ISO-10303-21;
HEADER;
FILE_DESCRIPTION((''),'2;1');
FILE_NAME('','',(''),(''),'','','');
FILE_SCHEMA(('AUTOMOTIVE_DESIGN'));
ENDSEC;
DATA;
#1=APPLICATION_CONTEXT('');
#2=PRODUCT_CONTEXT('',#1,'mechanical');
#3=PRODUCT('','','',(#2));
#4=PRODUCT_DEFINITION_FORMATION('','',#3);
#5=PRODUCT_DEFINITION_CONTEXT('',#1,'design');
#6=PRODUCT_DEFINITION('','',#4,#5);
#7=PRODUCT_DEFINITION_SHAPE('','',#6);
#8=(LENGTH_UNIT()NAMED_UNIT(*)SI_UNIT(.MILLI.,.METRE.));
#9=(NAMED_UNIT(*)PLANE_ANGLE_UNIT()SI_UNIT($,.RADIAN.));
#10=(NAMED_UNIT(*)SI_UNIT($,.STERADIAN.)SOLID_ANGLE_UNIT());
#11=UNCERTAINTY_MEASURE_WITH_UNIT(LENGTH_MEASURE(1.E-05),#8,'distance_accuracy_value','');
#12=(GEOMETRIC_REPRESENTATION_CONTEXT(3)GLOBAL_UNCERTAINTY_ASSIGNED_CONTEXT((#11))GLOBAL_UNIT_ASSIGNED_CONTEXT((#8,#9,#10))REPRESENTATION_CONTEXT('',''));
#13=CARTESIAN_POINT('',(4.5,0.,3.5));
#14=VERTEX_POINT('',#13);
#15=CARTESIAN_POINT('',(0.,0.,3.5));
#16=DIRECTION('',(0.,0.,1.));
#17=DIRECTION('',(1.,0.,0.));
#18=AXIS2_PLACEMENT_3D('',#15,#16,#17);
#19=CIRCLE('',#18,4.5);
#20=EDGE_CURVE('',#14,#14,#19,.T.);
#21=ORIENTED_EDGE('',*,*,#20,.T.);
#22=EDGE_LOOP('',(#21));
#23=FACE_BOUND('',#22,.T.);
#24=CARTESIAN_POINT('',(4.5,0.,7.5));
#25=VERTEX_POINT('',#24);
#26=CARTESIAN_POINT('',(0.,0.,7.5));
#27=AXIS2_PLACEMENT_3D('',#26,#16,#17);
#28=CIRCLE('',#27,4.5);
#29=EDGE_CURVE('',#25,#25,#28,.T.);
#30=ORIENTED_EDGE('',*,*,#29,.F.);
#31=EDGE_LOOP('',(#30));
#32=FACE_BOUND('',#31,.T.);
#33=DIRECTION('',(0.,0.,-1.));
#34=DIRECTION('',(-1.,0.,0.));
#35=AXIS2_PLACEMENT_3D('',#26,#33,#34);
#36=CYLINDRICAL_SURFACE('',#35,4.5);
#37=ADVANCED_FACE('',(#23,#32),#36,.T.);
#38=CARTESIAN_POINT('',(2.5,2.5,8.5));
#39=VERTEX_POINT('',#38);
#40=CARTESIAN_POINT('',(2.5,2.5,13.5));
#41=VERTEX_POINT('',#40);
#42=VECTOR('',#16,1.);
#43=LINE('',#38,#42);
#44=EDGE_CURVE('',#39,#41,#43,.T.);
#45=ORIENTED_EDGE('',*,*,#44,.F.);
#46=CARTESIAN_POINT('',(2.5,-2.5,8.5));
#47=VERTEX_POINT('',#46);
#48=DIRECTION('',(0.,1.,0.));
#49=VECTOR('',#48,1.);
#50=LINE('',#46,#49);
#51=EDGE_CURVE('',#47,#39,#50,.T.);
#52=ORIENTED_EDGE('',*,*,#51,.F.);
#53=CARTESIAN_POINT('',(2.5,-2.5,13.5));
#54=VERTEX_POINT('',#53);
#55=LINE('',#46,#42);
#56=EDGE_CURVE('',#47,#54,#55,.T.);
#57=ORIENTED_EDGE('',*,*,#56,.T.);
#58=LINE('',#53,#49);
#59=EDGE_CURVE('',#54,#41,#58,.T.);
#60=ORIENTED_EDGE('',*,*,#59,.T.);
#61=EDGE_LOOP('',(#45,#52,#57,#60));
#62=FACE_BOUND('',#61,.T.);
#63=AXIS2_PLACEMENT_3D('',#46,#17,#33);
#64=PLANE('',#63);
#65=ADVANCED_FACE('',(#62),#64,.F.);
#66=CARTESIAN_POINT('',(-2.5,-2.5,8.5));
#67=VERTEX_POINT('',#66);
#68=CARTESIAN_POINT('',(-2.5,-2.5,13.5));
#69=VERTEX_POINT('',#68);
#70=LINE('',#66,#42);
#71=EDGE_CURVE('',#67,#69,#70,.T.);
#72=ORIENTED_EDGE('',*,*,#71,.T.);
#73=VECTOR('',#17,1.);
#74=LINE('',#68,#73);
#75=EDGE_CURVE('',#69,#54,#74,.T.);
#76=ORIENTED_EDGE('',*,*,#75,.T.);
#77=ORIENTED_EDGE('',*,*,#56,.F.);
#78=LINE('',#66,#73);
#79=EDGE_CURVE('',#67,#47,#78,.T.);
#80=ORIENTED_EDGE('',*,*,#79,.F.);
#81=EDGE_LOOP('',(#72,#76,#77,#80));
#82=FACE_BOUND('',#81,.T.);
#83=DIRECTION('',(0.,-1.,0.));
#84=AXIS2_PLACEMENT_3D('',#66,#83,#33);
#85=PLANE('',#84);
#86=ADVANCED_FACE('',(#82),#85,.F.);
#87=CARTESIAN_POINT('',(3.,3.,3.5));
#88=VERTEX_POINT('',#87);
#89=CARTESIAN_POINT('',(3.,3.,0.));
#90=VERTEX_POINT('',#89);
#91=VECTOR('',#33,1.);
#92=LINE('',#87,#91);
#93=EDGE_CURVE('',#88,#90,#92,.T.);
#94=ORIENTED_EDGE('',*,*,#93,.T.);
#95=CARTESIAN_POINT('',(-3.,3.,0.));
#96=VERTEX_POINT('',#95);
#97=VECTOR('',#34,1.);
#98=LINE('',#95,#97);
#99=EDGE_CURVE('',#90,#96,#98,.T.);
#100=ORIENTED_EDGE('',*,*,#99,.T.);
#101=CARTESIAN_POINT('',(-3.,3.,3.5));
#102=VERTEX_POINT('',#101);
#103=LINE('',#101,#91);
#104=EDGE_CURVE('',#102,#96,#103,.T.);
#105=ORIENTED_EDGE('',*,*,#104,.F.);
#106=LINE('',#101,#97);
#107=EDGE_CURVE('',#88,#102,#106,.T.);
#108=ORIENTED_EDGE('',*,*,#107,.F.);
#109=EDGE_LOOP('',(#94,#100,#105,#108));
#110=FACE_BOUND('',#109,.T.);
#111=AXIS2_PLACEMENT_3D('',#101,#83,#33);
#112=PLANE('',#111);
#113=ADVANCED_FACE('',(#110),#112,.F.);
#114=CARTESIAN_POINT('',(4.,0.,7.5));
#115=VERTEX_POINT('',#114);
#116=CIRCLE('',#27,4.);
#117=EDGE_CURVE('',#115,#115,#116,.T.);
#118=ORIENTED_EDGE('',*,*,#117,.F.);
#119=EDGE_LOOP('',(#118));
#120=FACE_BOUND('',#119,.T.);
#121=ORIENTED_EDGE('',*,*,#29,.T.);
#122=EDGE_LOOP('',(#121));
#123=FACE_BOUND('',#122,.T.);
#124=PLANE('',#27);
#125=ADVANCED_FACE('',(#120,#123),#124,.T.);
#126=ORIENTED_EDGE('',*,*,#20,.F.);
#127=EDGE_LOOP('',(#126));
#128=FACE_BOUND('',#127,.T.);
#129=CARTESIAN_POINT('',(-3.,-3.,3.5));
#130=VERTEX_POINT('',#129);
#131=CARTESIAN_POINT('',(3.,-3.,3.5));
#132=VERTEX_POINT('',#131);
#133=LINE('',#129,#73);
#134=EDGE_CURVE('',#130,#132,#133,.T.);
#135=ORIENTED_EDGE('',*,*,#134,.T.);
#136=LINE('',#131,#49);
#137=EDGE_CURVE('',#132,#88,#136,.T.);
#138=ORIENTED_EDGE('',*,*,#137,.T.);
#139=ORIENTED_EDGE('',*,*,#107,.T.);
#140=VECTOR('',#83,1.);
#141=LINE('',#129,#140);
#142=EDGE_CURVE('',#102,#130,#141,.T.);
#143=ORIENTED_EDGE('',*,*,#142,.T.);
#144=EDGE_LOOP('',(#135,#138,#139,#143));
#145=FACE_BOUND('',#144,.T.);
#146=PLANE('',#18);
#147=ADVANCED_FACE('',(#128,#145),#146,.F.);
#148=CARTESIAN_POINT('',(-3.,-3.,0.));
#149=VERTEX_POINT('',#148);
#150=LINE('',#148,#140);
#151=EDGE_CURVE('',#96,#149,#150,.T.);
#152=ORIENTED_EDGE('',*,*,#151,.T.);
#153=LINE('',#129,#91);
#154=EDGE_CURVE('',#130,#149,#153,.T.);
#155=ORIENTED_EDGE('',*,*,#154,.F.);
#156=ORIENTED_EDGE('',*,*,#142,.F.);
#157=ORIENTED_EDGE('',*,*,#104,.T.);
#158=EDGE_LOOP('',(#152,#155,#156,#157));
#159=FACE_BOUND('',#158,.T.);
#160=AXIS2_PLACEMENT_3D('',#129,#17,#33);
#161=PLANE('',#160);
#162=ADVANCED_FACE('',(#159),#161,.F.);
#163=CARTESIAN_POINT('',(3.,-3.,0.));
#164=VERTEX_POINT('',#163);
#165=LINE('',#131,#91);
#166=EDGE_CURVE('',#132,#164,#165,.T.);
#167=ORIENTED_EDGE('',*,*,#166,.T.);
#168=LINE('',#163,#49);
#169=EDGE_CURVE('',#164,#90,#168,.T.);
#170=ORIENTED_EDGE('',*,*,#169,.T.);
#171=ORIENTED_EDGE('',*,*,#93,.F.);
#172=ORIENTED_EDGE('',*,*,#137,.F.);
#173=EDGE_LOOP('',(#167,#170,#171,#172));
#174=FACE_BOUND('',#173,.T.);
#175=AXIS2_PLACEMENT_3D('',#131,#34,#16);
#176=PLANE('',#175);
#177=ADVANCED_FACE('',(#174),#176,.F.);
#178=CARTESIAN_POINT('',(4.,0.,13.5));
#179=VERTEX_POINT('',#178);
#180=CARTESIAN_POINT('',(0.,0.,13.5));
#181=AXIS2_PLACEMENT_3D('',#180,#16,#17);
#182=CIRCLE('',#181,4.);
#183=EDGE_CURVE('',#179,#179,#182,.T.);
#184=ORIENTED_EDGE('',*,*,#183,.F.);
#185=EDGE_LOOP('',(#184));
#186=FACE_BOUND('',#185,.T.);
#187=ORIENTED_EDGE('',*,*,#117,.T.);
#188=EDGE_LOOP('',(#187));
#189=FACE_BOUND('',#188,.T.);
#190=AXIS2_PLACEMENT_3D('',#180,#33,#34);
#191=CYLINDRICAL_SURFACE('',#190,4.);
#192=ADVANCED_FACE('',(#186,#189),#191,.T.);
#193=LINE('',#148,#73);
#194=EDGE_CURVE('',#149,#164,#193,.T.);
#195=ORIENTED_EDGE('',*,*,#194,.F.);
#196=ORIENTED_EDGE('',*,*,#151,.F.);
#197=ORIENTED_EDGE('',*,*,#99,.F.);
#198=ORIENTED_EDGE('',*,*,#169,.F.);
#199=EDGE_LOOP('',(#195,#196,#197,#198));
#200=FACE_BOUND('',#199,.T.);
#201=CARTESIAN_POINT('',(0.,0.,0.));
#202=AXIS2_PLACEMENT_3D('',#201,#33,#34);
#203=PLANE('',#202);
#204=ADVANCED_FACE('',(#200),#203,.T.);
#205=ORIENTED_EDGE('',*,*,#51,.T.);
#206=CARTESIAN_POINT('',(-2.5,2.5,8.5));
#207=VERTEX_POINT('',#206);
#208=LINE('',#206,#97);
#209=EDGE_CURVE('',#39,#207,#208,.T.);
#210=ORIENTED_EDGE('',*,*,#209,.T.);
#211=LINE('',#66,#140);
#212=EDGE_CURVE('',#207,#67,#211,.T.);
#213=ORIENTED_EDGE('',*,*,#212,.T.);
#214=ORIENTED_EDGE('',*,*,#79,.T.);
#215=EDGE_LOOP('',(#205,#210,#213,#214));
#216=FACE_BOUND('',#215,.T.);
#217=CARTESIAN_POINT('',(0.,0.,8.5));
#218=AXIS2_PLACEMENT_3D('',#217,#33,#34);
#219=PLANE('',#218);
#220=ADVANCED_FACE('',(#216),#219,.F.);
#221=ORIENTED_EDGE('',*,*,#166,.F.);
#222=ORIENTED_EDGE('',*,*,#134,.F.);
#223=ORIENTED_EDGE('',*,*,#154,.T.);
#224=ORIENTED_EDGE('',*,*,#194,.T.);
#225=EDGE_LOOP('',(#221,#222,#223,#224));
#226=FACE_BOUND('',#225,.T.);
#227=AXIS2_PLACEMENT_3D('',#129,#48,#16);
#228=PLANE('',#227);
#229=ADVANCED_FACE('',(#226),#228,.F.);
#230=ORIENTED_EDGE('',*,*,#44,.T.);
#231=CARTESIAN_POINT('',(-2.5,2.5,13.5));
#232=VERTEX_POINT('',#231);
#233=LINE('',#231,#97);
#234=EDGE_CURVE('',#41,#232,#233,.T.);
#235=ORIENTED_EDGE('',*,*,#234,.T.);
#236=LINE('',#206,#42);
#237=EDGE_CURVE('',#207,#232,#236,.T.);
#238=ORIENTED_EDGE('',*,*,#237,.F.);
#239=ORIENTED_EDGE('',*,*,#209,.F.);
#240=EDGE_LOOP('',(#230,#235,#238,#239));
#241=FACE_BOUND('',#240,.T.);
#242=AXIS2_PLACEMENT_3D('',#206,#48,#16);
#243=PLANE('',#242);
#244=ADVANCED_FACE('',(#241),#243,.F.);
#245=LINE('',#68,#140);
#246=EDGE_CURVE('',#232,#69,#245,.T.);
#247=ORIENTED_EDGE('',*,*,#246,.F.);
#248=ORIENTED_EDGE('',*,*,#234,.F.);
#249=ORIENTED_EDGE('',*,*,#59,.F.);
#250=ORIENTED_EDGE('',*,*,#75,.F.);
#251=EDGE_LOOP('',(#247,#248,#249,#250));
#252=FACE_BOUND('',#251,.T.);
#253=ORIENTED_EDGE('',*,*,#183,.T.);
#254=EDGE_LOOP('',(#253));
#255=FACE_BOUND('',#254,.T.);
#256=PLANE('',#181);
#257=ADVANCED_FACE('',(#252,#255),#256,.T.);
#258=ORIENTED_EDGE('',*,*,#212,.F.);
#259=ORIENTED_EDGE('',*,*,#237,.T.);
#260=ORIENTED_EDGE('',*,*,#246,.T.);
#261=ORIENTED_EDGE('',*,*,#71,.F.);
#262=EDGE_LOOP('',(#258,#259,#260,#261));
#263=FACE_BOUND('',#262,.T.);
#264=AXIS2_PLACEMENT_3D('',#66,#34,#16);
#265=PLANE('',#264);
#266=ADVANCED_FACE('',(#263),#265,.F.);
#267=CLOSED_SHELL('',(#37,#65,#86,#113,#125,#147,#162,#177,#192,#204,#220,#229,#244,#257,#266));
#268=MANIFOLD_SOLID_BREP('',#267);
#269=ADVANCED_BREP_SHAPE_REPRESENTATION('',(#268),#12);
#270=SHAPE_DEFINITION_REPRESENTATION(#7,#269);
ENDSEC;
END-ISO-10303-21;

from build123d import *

# Parameters (mm, degrees)
CROQUIS1_W              = 6
CROQUIS1_H              = 6
SALIENTE_EXTRUIR1_DEPTH = 3.5
CROQUIS2_R              = 4.5
SALIENTE_EXTRUIR2_DEPTH = 4
CROQUIS3_R              = 4
SALIENTE_EXTRUIR3_DEPTH = 6
CROQUIS4_W              = 5
CROQUIS4_H              = 5
CORTAR_EXTRUIR1_DEPTH   = 5


with BuildPart() as part:
    # Croquis1 → Saliente-Extruir1 (new body)
    with BuildSketch(Plane.XY):
        Rectangle(CROQUIS1_W, CROQUIS1_H)
    extrude(amount=SALIENTE_EXTRUIR1_DEPTH)

    # Croquis2 → Saliente-Extruir2 (add)
    with BuildSketch(Plane.XY.offset(3.5)):
        Circle(CROQUIS2_R)
    extrude(amount=SALIENTE_EXTRUIR2_DEPTH)

    # Croquis3 → Saliente-Extruir3 (add)
    with BuildSketch(Plane.XY.offset(7.5)):
        Circle(CROQUIS3_R)
    extrude(amount=SALIENTE_EXTRUIR3_DEPTH)

    # Croquis4 → Cortar-Extruir1 (cut)
    with BuildSketch(Plane.XY.offset(13.5)):
        Rectangle(CROQUIS4_W, CROQUIS4_H)
    extrude(amount=-CORTAR_EXTRUIR1_DEPTH, mode=Mode.SUBTRACT)


solid = part.part
